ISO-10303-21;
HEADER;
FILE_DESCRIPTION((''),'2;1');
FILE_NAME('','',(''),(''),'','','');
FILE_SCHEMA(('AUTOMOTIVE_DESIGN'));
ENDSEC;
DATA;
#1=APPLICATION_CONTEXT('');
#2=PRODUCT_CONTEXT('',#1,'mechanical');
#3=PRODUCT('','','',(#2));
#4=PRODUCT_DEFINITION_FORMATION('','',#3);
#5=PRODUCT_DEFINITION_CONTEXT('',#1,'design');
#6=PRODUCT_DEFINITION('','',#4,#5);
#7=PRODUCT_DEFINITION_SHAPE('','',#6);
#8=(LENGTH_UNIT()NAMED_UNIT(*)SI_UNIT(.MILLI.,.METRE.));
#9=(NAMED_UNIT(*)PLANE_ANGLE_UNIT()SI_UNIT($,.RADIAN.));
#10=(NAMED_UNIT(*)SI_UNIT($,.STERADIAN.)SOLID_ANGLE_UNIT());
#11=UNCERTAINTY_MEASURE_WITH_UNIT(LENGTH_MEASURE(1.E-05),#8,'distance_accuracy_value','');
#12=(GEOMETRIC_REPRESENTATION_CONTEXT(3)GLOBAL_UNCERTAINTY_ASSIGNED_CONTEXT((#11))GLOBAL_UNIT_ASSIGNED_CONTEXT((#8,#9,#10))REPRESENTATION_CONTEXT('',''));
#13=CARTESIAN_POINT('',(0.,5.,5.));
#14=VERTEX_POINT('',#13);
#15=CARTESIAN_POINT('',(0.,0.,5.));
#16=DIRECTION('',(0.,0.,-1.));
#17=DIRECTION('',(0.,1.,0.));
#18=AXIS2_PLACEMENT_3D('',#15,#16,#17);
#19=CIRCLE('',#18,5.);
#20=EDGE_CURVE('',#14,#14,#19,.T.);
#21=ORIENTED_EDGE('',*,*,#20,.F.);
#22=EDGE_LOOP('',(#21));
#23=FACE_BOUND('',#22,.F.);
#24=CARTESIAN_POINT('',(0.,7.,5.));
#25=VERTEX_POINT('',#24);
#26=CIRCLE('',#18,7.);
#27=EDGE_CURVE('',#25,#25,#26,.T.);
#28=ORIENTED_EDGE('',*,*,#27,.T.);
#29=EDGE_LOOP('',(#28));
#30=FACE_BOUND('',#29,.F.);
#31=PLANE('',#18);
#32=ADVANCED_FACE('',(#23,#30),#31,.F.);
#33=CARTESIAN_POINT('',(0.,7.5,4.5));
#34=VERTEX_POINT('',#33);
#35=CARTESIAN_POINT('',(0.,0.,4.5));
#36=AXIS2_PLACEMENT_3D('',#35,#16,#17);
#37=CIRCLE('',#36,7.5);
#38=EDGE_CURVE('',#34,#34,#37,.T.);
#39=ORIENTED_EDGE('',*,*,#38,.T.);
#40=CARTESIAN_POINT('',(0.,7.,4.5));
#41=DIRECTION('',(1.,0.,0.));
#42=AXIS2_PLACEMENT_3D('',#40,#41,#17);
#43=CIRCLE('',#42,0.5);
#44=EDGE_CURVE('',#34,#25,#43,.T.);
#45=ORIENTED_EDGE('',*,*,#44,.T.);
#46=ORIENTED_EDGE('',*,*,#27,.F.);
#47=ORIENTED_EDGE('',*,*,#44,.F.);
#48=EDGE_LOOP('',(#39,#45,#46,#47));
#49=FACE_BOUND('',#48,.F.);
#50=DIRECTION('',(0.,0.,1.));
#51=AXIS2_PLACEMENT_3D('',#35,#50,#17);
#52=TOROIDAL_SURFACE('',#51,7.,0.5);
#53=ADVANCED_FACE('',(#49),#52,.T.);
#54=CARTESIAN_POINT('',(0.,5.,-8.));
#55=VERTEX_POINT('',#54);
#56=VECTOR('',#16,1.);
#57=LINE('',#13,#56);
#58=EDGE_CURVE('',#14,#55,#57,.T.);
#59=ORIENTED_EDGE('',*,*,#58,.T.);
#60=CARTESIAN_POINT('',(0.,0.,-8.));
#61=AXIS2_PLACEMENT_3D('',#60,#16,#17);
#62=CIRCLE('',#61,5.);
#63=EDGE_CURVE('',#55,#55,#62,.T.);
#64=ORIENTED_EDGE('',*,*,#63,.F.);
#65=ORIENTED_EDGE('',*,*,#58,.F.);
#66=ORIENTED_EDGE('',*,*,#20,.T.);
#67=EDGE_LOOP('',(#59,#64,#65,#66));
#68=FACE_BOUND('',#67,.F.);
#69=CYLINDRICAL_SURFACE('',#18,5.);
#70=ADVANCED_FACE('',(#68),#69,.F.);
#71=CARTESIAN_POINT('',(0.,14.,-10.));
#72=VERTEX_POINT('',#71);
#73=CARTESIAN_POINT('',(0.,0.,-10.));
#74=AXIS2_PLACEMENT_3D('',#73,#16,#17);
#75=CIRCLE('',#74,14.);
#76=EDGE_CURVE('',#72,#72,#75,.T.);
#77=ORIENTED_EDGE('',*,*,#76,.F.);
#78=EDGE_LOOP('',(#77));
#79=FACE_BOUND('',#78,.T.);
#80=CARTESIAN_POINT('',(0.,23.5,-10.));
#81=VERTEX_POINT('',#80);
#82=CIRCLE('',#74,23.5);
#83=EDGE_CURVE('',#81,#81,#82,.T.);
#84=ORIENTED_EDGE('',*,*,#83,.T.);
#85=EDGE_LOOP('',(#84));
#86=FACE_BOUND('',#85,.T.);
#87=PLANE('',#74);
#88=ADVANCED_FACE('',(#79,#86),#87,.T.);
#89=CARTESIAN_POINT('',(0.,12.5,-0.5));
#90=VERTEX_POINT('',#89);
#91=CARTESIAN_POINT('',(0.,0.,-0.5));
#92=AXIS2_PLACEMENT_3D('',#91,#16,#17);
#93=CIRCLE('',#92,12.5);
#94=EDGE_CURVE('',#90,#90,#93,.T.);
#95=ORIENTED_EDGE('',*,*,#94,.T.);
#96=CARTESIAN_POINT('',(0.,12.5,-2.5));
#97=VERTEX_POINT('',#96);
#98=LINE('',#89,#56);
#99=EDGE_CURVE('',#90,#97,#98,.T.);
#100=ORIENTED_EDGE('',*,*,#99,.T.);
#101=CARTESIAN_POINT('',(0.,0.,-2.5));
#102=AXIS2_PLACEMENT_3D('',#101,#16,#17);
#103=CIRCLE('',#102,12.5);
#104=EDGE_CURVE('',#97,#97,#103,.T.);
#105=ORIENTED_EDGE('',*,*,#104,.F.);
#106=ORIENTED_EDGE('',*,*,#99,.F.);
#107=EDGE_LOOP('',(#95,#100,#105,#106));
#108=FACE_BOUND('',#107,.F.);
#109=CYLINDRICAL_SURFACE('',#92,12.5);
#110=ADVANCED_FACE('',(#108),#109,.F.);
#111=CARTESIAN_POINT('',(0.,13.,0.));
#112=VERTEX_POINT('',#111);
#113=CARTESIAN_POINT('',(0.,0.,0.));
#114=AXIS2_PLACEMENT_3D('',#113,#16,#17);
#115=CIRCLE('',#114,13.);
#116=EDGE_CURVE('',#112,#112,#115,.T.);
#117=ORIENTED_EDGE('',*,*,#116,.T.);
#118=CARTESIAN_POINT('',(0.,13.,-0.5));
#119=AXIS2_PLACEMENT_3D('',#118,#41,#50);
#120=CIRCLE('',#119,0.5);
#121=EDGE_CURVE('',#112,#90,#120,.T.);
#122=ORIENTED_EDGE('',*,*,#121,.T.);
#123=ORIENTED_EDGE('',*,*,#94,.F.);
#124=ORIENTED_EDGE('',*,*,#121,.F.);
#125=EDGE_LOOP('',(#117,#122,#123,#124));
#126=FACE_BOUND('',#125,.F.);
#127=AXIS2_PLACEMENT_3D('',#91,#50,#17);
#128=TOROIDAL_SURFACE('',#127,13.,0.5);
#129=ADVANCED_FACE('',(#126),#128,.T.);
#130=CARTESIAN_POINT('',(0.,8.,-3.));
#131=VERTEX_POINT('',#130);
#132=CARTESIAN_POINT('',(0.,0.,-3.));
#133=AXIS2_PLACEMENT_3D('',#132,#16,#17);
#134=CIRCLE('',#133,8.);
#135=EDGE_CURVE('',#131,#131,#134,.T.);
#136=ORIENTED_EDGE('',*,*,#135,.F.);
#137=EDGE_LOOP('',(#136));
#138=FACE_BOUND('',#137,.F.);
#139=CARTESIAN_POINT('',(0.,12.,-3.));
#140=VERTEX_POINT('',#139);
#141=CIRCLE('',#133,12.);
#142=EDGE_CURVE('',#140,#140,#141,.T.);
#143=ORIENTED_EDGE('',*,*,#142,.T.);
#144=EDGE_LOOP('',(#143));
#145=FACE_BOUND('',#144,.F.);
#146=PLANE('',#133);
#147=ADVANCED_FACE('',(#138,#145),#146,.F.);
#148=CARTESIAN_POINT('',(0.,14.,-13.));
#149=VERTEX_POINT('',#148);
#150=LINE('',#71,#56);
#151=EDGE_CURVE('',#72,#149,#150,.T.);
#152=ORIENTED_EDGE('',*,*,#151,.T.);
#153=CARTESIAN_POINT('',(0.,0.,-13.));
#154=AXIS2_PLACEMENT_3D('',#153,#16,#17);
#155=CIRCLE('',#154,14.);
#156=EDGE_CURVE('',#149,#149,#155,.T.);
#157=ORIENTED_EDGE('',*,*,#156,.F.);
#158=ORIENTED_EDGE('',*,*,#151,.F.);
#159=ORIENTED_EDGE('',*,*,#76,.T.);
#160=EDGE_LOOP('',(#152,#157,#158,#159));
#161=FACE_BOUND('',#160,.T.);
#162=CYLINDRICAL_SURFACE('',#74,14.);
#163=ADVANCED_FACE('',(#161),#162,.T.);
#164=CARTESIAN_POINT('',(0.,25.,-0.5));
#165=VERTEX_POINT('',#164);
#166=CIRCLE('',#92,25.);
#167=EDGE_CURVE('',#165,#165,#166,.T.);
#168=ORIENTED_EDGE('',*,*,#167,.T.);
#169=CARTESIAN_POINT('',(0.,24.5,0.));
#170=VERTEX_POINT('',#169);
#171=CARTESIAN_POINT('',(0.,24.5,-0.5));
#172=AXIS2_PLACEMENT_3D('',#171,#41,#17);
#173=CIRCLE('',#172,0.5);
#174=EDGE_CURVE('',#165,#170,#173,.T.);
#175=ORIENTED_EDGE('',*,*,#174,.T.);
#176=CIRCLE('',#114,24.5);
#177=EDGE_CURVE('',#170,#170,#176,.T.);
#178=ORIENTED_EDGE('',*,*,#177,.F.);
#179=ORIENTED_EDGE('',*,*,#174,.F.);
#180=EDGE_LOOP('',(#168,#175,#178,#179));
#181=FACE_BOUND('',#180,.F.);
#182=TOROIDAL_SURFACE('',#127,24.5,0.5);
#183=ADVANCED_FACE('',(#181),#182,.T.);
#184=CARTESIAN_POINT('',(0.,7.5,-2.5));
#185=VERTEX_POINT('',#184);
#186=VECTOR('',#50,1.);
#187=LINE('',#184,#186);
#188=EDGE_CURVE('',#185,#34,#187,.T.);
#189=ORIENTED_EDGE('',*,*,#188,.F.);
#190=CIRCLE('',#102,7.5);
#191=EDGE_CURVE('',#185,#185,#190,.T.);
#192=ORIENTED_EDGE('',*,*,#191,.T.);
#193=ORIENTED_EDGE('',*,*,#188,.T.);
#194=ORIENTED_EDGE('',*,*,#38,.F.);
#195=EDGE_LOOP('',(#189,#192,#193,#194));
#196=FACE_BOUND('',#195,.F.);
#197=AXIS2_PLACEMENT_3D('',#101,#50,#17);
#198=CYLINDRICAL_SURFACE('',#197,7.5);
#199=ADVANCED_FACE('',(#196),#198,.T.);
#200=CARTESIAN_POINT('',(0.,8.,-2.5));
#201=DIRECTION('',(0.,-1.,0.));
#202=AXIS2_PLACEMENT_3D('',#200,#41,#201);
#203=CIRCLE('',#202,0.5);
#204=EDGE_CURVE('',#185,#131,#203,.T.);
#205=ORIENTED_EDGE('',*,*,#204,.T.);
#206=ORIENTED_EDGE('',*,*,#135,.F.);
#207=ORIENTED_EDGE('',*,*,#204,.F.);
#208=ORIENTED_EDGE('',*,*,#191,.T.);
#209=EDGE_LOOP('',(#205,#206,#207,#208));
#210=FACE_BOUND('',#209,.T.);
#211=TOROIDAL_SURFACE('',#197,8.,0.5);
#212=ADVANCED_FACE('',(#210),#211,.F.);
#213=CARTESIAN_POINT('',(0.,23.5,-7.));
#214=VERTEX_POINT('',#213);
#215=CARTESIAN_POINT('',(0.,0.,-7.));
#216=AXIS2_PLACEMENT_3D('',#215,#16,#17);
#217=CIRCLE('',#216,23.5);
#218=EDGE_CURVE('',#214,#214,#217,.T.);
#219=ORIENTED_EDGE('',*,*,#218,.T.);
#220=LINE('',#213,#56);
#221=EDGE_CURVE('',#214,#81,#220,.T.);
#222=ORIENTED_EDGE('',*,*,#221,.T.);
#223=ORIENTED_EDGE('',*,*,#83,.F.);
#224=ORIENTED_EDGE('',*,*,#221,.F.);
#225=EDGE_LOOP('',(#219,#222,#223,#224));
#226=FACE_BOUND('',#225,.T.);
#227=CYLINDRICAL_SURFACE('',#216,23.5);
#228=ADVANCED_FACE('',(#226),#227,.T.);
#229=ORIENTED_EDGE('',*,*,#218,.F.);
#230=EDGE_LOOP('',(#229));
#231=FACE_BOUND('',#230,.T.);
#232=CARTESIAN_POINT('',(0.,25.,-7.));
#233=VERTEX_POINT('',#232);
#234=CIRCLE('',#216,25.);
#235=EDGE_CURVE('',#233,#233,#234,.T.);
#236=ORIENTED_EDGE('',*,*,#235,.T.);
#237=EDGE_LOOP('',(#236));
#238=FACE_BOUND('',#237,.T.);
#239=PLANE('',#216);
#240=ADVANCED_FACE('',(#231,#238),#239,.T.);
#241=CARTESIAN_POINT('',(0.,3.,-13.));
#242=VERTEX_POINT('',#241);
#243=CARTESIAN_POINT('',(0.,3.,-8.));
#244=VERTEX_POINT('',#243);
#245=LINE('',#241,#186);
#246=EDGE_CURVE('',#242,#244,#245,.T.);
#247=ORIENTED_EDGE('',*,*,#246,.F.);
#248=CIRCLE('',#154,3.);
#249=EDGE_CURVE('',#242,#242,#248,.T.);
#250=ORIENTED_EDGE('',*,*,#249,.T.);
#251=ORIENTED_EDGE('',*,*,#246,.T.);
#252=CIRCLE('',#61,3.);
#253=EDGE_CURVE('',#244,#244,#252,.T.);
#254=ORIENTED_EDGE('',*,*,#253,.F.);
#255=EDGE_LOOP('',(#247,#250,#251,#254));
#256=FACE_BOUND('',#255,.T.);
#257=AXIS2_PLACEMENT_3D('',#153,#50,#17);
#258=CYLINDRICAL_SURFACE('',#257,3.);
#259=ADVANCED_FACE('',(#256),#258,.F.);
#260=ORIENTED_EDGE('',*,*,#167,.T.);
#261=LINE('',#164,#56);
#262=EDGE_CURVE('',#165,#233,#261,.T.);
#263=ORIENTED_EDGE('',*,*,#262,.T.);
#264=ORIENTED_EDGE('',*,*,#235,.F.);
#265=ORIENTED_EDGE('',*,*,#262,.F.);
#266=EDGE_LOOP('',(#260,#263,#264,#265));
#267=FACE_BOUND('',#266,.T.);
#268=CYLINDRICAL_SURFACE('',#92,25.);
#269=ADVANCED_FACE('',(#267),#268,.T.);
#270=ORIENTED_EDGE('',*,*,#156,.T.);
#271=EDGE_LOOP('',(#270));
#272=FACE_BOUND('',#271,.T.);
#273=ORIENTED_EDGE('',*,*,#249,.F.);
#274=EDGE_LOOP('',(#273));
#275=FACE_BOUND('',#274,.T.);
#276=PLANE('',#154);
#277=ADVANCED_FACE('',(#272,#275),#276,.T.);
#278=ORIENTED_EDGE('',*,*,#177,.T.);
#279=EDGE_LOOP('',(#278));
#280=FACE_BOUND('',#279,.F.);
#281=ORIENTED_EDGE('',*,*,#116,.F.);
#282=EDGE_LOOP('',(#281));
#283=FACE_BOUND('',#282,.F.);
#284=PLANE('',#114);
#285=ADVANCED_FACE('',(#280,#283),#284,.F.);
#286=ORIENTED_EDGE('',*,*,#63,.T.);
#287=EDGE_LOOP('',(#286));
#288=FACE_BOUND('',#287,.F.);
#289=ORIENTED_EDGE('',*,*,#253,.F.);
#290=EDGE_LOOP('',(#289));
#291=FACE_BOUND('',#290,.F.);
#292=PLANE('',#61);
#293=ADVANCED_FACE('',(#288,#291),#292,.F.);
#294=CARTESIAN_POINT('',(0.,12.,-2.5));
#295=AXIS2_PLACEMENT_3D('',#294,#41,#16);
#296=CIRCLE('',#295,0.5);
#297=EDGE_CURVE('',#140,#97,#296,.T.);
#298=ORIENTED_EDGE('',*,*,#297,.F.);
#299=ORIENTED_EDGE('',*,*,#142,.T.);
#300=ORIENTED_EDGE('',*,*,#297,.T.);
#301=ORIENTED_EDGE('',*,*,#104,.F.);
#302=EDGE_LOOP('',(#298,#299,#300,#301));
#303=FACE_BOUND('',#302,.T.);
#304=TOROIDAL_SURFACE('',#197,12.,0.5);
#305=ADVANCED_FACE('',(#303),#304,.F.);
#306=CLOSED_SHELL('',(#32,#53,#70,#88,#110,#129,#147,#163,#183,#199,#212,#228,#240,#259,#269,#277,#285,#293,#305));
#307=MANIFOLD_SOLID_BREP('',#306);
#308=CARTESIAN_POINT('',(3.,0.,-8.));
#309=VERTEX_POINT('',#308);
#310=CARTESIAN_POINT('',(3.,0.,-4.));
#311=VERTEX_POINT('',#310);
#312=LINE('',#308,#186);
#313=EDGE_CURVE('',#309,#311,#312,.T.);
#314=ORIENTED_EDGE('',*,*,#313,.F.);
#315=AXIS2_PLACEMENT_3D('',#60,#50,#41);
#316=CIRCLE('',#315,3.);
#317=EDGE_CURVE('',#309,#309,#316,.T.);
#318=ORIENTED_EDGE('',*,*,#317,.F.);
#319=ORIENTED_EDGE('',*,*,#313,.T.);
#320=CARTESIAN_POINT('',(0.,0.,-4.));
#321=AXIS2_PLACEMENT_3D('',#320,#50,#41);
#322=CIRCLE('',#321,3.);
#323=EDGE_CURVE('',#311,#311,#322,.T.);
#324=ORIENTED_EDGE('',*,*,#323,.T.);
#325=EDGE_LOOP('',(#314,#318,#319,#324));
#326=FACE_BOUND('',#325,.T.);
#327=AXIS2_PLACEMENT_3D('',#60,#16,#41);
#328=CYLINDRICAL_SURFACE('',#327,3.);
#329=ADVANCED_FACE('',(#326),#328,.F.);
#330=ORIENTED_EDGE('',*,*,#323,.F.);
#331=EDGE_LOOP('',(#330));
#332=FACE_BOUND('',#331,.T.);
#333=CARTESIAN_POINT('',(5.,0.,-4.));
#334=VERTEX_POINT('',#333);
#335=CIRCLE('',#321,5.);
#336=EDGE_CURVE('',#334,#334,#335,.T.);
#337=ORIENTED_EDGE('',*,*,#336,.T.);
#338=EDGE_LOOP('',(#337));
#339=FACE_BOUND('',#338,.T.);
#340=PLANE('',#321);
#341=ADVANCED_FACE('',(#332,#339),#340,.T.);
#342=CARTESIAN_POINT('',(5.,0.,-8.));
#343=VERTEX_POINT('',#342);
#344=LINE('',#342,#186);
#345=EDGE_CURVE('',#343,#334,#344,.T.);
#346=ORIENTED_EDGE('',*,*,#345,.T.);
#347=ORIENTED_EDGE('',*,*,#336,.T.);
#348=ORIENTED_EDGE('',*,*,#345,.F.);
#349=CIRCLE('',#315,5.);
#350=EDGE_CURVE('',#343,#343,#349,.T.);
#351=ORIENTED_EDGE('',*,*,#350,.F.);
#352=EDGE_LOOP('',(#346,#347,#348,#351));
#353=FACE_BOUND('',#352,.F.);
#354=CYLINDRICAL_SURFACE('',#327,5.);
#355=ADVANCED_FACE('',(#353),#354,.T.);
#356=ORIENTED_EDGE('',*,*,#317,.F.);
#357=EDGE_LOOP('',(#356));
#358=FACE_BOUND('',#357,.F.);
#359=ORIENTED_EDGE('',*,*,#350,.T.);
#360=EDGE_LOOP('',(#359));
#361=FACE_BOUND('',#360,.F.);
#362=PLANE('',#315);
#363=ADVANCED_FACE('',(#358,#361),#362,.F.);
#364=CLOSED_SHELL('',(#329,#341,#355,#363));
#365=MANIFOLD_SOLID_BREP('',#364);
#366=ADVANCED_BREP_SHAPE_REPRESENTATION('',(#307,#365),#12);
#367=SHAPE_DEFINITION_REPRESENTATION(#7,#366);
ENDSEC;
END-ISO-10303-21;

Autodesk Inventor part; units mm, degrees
ref_plane "YZ Plane" through (0, 0, 0) normal (1, 0, 0) x (0, 1, 0)
ref_plane "XZ Plane" through (0, 0, 0) normal (0, 1, 0) x (-1, 0, 0)
ref_plane "XY Plane" through (0, 0, 0) normal (0, 0, 1) x (1, 0, 0)
sketch "Skizze1" plane through (0, 0, 0) normal (1, 0, 0) x (0, 1, 0)
  line L0 (25, -0.5) -> (25, -7)
  line L1 (25, -7) -> (23.5, -7)
  line L2 (23.5, -7) -> (23.5, -10)
  line L3 (23.5, -10) -> (14, -10)
  line L4 (14, -10) -> (14, -13)
  line L5 (14, -13) -> (3, -13)
  line L6 (24.5, 0) -> (13, 0)
  line L7 (12, -3) -> (8, -3)
  line L8 (7.5, -2.5) -> (7.5, 4.5)
  line L9 (7, 5) -> (5, 5)
  line L10 (5, 5) -> (5, -8)
  line L11 (5, -8) -> (3, -8)
  line L12 (3, -13) -> (3, -8)
  arc A0 (12, -3) -> (12.5, -2.5) centre (12, -2.5) ccw
  line L13 (12.5, -0.5) -> (12.5, -2.5)
  arc A1 (13, 0) -> (12.5, -0.5) centre (13, -0.5) ccw
  arc A2 (7.5, -2.5) -> (8, -3) centre (8, -2.5) ccw
  arc A3 (7.5, 4.5) -> (7, 5) centre (7, 4.5) ccw
  arc A4 (25, -0.5) -> (24.5, 0) centre (24.5, -0.5) ccw
  line L14 (0, 0) -> (0, -2.0736) construction
  point P0 (25, 0)
  point P1 (12.5, 0)
  point P2 (7.5, -3)
  point P3 (7.5, 5)
  dimension "d5" = 7
  dimension "d6" = 3
  dimension "d7" = 3
  dimension "d11" = 8
  dimension "d12" = 13
  dimension "d13" = 5
  dimension "d14" = 11
  dimension "d15" = 12.5
  dimension "d16" = 9.5
  dimension "d18" = 0.5
  dimension "d19" = 0.5
revolve "Umdrehung1" add sketch "Skizze1" angle 360 about axis through (0, 0, 0) along (0, 0, -1)
sketch "Skizze2" plane through (0, 0, -8) normal (0, 0, 1) x (1, 0, 0)
  circle A0 centre (0, 0) radius 3 projected
  circle A1 centre (0, 0) radius 5 projected
extrude "Extrusion1" add sketch "Skizze2" along normal blind 4 separate body
properties part number "sf_Cylinder_Rear_Lid_1"
